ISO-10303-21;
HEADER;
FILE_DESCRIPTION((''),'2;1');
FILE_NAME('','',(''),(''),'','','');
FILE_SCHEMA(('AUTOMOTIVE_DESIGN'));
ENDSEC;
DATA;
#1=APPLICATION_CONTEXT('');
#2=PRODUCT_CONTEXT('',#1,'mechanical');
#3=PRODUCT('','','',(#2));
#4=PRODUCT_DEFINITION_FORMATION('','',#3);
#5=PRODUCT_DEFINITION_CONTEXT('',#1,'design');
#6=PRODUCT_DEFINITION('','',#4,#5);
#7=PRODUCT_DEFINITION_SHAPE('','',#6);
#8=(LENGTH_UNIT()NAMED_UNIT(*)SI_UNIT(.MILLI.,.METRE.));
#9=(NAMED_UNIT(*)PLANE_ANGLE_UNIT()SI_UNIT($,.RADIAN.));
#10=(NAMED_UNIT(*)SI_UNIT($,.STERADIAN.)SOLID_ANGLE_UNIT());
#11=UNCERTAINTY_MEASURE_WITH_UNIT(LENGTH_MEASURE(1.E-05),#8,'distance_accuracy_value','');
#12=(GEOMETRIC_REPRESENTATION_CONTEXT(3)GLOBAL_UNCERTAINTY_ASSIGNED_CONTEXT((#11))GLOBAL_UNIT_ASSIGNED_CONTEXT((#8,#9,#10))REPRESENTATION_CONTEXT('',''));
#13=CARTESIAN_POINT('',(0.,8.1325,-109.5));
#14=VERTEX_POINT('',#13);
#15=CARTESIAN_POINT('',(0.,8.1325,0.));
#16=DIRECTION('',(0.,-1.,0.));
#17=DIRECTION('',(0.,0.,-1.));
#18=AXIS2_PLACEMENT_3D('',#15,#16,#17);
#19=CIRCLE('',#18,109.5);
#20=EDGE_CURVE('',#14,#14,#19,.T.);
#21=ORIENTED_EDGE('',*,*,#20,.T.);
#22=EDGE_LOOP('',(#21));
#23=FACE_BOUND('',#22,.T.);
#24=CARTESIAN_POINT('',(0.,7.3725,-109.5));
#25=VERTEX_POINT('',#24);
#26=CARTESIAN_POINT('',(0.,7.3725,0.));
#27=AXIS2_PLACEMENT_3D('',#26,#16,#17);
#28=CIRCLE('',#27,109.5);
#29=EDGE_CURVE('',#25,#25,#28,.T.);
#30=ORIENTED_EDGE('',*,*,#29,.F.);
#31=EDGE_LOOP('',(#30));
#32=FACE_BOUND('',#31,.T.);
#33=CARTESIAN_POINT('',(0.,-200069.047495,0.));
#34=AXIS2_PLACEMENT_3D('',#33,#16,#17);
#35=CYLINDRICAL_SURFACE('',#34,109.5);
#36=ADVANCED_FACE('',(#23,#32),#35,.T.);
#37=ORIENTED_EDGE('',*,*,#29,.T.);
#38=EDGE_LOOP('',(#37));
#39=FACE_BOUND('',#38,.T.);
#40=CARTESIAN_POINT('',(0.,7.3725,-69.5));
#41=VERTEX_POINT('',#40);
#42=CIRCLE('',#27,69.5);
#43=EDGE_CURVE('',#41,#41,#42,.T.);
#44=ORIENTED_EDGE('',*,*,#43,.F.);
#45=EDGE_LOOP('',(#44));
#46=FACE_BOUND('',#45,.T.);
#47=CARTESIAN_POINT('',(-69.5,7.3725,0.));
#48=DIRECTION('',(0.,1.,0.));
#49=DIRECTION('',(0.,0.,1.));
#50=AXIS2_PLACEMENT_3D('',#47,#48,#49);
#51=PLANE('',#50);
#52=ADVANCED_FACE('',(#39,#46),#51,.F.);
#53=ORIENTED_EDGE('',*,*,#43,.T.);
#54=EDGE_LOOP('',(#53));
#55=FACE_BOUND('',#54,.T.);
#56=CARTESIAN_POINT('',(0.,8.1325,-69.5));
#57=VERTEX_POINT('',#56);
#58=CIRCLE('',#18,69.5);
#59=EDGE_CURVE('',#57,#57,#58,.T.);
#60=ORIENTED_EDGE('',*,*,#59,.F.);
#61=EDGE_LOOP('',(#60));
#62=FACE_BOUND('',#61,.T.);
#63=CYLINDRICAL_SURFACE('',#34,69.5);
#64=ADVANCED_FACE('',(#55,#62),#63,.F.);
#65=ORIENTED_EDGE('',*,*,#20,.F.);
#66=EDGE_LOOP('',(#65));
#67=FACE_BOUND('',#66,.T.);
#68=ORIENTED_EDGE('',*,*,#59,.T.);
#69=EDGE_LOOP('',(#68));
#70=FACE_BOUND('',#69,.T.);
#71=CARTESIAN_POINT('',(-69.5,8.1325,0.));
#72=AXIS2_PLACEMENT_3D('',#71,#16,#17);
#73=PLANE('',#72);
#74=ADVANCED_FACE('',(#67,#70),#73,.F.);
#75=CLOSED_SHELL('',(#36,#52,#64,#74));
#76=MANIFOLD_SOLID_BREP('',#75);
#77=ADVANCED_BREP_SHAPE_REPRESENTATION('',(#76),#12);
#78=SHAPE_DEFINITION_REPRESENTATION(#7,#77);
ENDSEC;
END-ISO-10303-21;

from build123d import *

# Parameters (mm, degrees)
SKETCH1_W = 40
SKETCH1_H = 0.76


with BuildPart() as part:
    # Sketch1 → Revolve1 (revolve)
    with BuildSketch(Plane.XY, mode=Mode.PRIVATE) as revolve1_sk:
        with Locations((-89.5, 7.7525)):
            Rectangle(SKETCH1_W, SKETCH1_H)
    revolve(revolve1_sk.sketch.rotate(Axis((0, -200069.047495165, 0), (0, 1, 0)), 270), axis=Axis((0, -200069.047495165, 0), (0, 1, 0)))


solid = part.part
